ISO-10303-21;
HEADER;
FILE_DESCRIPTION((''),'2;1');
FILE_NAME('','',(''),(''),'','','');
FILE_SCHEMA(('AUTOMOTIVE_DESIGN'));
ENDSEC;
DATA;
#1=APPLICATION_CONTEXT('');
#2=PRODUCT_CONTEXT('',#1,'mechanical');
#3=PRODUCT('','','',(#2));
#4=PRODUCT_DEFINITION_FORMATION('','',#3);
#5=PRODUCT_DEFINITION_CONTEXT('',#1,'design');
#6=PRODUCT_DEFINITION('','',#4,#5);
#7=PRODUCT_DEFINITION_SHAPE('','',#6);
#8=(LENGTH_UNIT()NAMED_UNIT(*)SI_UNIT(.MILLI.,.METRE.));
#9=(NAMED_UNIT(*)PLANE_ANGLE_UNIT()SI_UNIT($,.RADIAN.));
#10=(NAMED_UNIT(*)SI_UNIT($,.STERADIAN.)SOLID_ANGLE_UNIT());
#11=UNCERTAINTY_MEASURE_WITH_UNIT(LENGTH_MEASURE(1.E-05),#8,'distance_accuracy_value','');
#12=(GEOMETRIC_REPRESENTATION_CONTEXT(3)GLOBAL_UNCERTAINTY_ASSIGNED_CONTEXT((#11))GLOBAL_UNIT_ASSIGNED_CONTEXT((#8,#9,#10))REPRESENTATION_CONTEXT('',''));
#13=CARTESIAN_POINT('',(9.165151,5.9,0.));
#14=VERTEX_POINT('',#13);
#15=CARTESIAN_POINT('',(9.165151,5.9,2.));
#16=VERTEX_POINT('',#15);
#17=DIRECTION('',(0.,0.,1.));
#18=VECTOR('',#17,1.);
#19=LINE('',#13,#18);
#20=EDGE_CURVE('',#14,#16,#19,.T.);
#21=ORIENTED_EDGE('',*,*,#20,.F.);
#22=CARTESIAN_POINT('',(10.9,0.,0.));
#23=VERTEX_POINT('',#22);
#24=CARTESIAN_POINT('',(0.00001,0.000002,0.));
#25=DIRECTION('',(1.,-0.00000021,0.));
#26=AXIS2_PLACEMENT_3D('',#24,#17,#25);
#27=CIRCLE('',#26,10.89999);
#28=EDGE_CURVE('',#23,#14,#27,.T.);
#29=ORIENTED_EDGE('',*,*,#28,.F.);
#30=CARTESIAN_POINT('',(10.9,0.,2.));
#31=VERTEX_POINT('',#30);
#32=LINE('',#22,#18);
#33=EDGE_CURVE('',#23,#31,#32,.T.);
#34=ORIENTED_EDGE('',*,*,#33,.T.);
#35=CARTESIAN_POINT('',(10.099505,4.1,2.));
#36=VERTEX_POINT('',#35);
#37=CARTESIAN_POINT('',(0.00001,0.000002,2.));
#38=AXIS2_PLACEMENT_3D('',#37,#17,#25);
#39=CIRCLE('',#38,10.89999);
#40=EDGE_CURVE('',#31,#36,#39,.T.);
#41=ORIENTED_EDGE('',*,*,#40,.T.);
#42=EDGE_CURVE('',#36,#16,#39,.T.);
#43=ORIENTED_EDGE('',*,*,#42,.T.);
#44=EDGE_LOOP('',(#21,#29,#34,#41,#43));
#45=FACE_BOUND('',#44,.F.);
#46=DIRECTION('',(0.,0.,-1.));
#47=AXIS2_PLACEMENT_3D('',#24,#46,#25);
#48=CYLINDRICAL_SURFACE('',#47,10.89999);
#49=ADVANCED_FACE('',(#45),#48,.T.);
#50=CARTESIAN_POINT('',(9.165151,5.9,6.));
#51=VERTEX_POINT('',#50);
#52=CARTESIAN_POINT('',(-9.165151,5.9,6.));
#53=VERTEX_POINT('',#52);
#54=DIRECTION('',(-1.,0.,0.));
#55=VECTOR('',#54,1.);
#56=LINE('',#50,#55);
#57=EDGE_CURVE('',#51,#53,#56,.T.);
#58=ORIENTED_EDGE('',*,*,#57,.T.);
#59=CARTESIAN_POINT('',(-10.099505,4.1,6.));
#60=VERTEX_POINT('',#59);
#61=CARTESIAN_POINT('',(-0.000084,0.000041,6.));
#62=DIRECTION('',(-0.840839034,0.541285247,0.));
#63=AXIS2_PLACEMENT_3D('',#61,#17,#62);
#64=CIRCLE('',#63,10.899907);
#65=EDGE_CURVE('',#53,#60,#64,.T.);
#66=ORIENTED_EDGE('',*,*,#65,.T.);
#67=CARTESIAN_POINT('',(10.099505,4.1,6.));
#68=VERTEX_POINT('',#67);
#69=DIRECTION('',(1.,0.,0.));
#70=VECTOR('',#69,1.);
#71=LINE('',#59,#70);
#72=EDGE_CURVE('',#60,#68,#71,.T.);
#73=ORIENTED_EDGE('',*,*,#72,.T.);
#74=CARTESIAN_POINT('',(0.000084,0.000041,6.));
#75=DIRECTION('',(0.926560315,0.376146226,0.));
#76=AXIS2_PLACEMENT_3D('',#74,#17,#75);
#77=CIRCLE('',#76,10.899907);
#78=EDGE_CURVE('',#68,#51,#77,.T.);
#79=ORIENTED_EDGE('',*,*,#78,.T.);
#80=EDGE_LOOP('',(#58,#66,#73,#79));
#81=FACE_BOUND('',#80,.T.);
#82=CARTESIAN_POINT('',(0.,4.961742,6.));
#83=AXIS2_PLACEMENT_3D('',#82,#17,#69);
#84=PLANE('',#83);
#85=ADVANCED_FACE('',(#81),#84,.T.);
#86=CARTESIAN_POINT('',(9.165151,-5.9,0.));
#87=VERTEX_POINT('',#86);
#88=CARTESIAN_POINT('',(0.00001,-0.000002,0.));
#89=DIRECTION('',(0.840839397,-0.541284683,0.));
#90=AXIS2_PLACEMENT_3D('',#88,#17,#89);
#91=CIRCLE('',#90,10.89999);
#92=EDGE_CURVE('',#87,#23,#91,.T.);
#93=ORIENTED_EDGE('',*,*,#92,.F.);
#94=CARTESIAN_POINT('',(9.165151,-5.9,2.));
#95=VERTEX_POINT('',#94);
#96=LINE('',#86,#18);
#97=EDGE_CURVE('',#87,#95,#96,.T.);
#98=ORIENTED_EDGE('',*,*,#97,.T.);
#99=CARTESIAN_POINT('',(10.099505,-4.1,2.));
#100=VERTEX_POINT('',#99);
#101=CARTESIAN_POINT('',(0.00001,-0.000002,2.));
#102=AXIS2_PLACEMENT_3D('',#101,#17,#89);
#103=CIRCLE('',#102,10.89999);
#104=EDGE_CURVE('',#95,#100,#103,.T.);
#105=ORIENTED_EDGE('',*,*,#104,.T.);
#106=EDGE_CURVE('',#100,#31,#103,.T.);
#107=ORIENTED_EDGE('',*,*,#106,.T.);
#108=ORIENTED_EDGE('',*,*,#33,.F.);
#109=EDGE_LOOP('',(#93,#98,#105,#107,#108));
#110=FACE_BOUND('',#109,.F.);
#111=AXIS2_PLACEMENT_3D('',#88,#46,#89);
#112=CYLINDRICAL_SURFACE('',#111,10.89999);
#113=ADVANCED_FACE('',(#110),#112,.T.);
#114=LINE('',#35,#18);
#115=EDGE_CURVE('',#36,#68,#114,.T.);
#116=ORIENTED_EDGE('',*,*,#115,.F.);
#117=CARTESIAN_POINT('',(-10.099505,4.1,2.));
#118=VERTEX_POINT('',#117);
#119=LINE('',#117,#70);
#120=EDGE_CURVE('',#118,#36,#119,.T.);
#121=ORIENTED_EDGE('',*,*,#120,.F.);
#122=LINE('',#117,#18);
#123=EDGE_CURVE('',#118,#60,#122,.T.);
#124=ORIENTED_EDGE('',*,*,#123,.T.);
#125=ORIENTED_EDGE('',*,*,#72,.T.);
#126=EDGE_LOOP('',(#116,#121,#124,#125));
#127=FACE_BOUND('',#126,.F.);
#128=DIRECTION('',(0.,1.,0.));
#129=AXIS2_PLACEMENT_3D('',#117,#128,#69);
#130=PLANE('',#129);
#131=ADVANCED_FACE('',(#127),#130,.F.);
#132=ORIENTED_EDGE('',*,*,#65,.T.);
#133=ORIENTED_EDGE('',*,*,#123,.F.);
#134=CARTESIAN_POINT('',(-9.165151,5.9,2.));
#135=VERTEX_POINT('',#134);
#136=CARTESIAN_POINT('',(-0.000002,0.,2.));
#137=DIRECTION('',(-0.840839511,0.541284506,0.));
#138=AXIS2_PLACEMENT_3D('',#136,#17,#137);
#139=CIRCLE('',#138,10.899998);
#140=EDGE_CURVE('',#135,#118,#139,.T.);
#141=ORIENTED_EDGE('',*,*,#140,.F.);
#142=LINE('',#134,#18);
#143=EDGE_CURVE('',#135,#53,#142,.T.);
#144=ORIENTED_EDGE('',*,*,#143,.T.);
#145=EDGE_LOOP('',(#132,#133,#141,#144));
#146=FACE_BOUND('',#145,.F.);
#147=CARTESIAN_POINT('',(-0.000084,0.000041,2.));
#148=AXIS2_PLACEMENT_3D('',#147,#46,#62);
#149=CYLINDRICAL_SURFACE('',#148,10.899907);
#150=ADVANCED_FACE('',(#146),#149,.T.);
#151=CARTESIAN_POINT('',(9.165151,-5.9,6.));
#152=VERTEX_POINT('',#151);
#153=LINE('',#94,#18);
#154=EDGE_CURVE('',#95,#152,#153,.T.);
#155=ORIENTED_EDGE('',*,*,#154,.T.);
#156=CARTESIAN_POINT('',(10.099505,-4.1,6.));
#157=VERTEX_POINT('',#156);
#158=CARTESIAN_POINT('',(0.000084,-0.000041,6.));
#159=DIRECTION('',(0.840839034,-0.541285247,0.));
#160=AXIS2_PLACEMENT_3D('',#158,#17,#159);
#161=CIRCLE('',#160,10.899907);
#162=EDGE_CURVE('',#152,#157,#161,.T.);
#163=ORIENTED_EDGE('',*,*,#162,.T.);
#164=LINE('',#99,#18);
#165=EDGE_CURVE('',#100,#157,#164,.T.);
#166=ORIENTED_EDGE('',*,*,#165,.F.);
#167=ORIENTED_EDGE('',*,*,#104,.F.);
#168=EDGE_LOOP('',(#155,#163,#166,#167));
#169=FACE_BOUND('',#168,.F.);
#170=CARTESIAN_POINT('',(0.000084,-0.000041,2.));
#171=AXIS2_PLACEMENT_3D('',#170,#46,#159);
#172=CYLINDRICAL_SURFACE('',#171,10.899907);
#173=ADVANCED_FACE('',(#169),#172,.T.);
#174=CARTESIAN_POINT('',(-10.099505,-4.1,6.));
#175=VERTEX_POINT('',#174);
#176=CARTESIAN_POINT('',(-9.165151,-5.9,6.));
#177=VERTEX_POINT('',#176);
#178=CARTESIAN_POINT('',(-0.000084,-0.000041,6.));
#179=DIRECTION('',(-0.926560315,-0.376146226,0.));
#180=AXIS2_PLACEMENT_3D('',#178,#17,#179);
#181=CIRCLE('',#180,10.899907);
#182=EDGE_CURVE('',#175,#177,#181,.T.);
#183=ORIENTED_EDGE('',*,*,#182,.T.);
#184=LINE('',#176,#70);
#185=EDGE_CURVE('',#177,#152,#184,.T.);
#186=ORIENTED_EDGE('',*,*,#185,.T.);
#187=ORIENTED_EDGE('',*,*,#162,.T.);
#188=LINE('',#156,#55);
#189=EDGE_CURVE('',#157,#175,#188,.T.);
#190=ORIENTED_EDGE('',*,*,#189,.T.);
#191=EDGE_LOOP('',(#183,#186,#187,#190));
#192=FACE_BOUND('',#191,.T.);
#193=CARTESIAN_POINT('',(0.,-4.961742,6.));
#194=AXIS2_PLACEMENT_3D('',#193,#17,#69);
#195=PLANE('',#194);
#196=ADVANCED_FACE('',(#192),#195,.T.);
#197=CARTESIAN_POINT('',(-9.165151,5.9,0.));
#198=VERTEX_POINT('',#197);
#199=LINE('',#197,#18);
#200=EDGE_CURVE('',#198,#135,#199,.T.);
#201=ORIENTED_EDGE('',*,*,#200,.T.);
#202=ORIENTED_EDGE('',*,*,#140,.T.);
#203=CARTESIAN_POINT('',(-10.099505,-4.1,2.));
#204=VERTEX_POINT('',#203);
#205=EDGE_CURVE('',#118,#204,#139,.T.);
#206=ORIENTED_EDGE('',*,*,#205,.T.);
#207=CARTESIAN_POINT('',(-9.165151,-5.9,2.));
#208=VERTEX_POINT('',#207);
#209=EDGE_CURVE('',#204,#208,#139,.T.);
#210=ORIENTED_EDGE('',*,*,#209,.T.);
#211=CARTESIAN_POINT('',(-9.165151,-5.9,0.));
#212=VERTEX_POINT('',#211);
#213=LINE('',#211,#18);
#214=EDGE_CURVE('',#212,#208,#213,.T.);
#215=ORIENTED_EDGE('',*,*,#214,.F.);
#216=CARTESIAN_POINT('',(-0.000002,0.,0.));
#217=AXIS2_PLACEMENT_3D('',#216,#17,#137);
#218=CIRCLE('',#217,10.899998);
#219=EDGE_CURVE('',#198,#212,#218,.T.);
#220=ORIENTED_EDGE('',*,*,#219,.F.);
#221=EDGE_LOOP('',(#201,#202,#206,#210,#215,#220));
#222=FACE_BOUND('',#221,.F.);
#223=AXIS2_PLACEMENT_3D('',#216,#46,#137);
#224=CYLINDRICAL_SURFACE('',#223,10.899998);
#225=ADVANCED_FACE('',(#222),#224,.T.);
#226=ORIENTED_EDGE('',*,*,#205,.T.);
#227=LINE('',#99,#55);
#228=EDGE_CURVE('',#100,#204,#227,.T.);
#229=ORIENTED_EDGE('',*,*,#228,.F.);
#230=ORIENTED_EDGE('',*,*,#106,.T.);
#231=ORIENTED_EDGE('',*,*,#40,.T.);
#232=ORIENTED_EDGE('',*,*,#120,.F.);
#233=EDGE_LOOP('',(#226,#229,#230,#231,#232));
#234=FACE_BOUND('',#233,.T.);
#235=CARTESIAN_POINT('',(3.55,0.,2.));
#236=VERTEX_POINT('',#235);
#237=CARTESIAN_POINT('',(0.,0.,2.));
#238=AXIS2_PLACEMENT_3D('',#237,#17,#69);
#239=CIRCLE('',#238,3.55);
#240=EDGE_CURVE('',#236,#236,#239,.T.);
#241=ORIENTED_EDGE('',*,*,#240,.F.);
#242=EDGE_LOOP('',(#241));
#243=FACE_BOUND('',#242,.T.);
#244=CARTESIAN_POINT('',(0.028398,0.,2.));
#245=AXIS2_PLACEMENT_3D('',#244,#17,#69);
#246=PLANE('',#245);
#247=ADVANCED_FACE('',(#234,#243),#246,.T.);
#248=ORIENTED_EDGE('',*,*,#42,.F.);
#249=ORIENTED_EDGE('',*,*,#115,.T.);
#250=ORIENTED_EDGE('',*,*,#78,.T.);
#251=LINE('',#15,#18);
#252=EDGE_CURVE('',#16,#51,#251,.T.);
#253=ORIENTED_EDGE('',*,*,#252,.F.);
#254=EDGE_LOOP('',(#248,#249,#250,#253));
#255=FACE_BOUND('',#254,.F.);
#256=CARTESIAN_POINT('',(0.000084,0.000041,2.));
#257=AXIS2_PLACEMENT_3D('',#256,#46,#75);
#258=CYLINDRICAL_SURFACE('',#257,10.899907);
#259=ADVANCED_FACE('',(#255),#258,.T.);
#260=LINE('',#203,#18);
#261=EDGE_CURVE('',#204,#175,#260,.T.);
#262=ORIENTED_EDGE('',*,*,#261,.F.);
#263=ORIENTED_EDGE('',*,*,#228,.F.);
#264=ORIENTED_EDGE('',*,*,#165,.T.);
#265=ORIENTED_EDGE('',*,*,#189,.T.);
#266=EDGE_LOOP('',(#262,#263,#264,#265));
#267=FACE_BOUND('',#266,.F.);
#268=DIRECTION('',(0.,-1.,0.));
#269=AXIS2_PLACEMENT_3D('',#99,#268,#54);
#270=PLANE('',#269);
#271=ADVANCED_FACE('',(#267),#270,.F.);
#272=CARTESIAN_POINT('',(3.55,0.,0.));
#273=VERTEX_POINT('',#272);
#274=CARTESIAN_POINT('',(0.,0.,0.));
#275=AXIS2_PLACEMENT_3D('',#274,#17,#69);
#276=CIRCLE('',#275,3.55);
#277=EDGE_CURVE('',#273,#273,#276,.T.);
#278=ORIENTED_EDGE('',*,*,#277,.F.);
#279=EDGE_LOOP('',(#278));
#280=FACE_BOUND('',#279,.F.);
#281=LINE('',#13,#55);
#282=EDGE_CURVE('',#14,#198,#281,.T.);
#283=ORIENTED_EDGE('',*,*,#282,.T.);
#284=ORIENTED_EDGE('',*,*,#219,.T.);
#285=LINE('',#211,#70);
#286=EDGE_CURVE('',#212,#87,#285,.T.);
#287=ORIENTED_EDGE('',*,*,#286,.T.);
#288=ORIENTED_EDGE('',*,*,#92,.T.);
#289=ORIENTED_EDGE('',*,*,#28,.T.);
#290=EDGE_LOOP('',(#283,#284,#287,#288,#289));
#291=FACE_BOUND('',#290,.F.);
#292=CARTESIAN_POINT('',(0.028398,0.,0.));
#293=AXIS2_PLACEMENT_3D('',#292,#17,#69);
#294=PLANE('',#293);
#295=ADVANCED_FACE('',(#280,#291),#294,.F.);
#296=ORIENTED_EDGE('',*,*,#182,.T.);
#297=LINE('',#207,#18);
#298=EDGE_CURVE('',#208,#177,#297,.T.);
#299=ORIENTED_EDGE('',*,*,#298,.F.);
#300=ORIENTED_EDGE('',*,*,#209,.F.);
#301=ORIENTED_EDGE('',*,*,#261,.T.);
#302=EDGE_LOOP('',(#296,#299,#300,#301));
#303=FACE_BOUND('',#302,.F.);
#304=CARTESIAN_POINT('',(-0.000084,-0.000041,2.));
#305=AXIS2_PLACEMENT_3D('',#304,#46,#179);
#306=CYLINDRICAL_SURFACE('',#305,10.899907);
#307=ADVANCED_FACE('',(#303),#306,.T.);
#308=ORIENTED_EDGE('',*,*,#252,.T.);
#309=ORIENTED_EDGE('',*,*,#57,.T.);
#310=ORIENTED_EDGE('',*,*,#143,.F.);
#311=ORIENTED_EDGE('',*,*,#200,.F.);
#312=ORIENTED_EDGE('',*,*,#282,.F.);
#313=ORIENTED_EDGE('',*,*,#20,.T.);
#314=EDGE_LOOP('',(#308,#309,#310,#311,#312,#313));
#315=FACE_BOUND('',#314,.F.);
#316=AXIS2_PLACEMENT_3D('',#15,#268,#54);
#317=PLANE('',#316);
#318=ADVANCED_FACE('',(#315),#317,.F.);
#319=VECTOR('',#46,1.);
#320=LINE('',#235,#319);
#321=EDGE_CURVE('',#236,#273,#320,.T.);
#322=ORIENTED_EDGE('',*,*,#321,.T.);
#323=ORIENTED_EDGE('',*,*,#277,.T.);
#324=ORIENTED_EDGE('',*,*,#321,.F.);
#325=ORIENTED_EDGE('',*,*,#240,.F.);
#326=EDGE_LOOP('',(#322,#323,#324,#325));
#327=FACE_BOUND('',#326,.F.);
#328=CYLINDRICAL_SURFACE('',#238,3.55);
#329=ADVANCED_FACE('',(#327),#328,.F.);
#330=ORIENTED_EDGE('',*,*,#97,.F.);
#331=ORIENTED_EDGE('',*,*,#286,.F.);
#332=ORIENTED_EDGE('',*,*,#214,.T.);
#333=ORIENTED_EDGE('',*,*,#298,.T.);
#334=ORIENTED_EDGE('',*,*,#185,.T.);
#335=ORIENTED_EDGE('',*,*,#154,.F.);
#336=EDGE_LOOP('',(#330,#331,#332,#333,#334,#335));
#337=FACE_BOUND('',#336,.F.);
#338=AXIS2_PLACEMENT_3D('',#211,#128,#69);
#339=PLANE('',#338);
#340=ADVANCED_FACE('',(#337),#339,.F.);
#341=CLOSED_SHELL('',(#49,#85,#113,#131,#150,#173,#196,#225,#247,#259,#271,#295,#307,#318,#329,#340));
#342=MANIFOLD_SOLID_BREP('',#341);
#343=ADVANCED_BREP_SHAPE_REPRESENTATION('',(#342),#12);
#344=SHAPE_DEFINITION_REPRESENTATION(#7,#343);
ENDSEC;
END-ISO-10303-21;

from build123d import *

# Parameters (mm, degrees)
F1_DEPTH = 2
F2_R     = 3.55
F3_DEPTH = 25
F5_DEPTH = 4


with BuildPart() as f1:
    # F0 (on Top) → F1 (new body)
    with BuildSketch(Plane.XY):
        with BuildLine():
            ThreePointArc((9.165151, -5.9), (10.457298, -3.074886), (10.9, 0))
            ThreePointArc((10.9, 0), (10.457298, 3.074886), (9.165151, 5.9))
            Line((9.165151, 5.9), (-9.165151, 5.9))
            ThreePointArc((-9.165151, 5.9), (-10.9, 0), (-9.165151, -5.9))
            Line((-9.165151, -5.9), (9.165151, -5.9))
        make_face()
    extrude(amount=F1_DEPTH)

    # F2 (on face) → F3 (cut)
    with BuildSketch(Plane.XY.offset(2)):
        Circle(F2_R)
    extrude(amount=-F3_DEPTH, mode=Mode.SUBTRACT)

    # F4 (on face) → F5 (join)
    with BuildSketch(Plane.XY.offset(2)):
        with BuildLine():
            Line((-10.099505, 4.1), (10.099505, 4.1))
            ThreePointArc((10.099505, 4.1), (9.674283, 5.021778), (9.165151, 5.9))
            Line((9.165151, 5.9), (-9.165151, 5.9))
            ThreePointArc((-9.165151, 5.9), (-9.674283, 5.021778), (-10.099505, 4.1))
        make_face()
        with BuildLine():
            ThreePointArc((9.165151, -5.9), (9.674283, -5.021778), (10.099505, -4.1))
            Line((10.099505, -4.1), (-10.099505, -4.1))
            ThreePointArc((-10.099505, -4.1), (-9.674283, -5.021778), (-9.165151, -5.9))
            Line((-9.165151, -5.9), (9.165151, -5.9))
        make_face()
    extrude(amount=F5_DEPTH)


solid = f1.part
